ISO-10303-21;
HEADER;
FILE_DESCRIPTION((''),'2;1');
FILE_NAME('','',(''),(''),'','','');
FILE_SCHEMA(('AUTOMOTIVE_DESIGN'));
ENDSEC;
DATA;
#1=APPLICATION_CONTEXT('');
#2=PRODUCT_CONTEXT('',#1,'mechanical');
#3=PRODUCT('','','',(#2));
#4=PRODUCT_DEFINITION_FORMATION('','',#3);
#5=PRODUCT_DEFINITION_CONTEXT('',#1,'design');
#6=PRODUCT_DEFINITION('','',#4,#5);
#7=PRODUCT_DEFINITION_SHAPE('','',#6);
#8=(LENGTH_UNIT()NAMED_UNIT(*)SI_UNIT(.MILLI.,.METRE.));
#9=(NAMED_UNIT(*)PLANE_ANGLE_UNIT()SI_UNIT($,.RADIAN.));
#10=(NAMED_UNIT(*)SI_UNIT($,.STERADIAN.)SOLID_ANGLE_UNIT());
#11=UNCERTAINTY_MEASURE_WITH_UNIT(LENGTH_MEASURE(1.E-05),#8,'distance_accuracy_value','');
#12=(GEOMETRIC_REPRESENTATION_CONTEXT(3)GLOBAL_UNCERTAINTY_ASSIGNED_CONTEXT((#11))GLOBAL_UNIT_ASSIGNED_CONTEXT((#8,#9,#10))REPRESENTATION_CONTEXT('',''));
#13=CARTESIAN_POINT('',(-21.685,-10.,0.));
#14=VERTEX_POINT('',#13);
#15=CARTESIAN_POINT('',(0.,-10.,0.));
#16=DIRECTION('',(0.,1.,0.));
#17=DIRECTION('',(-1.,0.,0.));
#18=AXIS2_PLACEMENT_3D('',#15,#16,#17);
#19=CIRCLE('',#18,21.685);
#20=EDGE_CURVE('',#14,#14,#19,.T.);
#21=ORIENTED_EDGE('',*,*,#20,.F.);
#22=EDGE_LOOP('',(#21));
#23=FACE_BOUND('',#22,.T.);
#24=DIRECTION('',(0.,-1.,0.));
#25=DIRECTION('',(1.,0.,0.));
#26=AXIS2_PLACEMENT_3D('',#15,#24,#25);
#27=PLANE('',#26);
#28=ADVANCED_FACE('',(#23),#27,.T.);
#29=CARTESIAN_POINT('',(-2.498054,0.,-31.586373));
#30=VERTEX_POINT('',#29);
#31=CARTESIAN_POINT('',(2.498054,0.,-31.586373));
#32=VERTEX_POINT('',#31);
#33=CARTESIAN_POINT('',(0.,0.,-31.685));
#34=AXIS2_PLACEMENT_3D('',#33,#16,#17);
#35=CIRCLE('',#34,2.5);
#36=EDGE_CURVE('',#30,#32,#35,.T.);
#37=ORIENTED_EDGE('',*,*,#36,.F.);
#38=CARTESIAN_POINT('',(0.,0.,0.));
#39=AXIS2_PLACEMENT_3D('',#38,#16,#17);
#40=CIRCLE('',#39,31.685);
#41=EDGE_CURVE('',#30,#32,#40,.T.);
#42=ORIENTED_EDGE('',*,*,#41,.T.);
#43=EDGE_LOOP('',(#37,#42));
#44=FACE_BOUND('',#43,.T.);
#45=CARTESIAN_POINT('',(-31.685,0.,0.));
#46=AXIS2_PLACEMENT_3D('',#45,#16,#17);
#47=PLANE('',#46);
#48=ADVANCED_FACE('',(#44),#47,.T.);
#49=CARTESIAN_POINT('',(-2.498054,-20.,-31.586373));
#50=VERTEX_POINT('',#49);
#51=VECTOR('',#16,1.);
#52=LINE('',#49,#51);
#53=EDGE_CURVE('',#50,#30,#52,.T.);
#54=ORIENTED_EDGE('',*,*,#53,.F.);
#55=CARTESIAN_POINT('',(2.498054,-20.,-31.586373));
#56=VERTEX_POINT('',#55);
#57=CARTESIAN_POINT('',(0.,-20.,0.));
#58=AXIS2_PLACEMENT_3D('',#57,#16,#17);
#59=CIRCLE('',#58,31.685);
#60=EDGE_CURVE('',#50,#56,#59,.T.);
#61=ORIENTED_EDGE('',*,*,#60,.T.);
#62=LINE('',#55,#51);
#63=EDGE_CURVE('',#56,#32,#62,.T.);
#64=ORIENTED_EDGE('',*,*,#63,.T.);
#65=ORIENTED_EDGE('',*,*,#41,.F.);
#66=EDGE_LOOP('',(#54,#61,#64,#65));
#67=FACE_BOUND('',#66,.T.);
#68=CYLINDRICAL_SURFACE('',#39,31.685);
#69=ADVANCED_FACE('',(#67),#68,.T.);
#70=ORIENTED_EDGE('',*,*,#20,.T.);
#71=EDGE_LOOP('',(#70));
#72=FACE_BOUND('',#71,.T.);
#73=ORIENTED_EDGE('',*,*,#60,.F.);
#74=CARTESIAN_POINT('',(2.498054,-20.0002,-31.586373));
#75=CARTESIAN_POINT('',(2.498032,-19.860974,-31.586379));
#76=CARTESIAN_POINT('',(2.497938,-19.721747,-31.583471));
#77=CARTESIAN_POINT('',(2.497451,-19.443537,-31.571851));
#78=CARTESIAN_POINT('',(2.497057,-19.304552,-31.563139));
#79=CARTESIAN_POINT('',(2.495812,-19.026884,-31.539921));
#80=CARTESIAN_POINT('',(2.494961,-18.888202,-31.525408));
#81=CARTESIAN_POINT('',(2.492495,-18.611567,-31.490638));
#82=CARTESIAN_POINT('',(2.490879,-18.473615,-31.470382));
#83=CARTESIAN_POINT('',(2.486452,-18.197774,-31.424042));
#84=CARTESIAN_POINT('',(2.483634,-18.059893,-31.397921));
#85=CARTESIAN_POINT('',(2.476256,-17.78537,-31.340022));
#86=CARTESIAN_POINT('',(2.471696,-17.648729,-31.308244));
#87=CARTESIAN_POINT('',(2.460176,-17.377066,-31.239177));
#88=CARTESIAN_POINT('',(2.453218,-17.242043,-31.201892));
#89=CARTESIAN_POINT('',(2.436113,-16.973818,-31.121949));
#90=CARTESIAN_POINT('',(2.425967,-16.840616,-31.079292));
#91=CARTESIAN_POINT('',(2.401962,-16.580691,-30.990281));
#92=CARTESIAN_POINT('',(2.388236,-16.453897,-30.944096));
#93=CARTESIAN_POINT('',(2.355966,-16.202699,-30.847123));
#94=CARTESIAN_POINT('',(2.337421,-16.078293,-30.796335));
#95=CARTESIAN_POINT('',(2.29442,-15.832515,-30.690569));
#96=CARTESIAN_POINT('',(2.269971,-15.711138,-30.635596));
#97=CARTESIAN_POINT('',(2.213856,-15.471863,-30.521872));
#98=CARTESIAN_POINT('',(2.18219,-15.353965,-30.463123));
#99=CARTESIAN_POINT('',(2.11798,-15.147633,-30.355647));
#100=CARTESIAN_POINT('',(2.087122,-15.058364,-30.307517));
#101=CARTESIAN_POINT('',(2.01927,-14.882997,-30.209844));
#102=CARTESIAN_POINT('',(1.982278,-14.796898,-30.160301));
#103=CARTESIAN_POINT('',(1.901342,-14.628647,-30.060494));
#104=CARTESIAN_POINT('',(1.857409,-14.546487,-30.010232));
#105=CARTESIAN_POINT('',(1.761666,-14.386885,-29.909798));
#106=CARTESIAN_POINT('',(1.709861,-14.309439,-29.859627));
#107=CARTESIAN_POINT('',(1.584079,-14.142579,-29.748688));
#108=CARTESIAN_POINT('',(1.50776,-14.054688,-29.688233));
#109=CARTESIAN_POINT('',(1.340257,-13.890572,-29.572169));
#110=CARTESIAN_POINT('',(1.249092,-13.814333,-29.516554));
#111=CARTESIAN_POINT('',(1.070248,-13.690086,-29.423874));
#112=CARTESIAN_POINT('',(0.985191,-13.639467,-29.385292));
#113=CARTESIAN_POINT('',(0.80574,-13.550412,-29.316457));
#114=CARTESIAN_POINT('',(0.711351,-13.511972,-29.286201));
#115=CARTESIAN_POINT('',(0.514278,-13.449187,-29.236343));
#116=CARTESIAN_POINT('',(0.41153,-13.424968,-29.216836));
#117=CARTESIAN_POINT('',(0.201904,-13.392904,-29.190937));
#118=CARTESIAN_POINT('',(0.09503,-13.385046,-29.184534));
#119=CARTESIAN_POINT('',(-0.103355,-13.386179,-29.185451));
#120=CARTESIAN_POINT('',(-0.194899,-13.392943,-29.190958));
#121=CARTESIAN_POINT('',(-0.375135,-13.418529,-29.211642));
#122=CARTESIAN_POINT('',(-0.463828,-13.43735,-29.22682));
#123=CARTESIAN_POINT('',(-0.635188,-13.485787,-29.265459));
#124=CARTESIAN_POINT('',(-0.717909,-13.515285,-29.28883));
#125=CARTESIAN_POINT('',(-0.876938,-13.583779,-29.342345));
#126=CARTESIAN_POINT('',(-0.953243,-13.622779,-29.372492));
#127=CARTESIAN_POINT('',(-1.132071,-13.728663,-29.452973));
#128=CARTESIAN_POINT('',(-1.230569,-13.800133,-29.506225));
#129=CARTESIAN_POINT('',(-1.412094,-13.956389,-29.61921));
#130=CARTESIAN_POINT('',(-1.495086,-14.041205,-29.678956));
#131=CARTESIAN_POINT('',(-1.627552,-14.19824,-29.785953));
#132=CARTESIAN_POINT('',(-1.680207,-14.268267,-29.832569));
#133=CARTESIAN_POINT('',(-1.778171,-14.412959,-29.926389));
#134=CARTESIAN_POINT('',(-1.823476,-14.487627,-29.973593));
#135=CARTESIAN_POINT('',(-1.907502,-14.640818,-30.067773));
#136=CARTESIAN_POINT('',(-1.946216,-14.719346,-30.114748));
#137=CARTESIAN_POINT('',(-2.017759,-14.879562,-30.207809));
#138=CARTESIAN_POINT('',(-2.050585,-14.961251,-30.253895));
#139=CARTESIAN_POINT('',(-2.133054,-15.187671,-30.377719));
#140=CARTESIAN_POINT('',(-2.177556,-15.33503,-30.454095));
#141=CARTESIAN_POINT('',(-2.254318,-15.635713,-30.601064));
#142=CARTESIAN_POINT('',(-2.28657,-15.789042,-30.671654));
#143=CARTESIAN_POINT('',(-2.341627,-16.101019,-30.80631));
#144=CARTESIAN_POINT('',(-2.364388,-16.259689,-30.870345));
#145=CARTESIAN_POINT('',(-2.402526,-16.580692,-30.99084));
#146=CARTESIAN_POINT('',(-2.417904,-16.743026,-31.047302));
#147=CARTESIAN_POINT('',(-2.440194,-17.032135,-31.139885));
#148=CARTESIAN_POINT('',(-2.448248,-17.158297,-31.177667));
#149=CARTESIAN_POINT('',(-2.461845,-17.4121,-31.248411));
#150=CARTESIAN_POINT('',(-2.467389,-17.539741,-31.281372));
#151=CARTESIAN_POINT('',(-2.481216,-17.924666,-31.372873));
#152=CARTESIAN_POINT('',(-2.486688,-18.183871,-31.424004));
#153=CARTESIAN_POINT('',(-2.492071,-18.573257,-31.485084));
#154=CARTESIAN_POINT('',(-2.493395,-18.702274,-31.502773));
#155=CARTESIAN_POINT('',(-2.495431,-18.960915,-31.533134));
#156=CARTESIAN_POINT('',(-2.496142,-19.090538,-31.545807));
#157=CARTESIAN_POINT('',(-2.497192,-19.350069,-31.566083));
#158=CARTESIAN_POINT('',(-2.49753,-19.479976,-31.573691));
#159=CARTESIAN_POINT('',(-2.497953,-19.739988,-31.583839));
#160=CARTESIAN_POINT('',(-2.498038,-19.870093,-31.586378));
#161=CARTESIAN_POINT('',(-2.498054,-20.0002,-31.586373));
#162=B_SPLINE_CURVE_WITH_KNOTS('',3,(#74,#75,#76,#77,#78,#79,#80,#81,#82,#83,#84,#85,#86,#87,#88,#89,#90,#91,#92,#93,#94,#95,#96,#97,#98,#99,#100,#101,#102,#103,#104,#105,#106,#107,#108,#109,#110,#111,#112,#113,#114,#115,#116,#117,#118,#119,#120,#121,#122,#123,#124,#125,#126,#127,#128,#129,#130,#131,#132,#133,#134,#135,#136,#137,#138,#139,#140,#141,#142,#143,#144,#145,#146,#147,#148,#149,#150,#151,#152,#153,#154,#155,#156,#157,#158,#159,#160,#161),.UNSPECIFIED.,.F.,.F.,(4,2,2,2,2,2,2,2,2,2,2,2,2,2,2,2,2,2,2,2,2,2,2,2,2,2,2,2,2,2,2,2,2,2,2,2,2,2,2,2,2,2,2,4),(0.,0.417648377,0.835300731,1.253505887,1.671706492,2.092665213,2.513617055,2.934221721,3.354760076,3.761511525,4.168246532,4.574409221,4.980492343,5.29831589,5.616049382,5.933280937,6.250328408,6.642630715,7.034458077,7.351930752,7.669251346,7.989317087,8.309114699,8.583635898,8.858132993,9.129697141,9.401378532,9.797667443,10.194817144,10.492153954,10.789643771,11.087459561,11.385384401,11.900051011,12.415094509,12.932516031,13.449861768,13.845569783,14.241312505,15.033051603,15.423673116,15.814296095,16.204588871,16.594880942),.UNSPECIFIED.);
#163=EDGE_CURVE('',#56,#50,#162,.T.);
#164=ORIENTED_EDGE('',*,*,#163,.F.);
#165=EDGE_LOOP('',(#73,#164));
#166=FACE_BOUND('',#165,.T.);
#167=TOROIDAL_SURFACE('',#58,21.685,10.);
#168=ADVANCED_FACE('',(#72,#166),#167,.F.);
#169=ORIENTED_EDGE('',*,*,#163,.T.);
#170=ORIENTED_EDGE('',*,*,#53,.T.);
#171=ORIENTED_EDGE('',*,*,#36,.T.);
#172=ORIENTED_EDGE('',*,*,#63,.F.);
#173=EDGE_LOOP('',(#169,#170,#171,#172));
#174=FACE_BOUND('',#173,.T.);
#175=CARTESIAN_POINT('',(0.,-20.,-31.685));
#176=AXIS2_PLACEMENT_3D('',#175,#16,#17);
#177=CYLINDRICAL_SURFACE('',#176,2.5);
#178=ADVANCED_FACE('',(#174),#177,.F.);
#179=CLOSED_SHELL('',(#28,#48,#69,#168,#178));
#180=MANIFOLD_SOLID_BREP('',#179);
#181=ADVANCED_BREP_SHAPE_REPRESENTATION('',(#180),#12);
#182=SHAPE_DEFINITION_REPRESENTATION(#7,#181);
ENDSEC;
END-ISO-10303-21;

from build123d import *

# Parameters (mm, degrees)
SECOND_STAGE_IGNITION_WIRE_PASSTHROUGH_DEPTH      = 50.070138068
SECOND_STAGE_IGNITION_WIRE_PASSTHROUGH_DEPTH_BACK = 50.070138068


with BuildPart() as part:
    # Sketch1 → Main body (revolve)
    with BuildSketch(Plane.XY):
        with BuildLine():
            Line((0, 0), (0, -10))
            Line((0, -10), (-21.685, -10))
            ThreePointArc((-21.685, -10), (-28.756067812, -12.928932188), (-31.685, -20))
            Line((-31.685, -20), (-31.685, 0))
            Line((-31.685, 0), (0, 0))
        make_face()
    revolve(axis=Axis((0, 0, 0), (0, -1, 0)))

    # Sketch2 → Second stage ignition wire passthrough (cut, two sides: drawn at the far end of the back side and taken through both)
    with BuildSketch(Plane(origin=(0, 0, 0), x_dir=(1, 0, 0), z_dir=(0, 1, 0)).offset(-SECOND_STAGE_IGNITION_WIRE_PASSTHROUGH_DEPTH_BACK)):
        with BuildLine():
            ThreePointArc((-2.498053781, 31.586372889), (0, 29.185), (2.498053781, 31.586372889))
            ThreePointArc((2.498053781, 31.586372889), (0, 31.685), (-2.498053781, 31.586372889))
        make_face()
    extrude(amount=SECOND_STAGE_IGNITION_WIRE_PASSTHROUGH_DEPTH + SECOND_STAGE_IGNITION_WIRE_PASSTHROUGH_DEPTH_BACK, mode=Mode.SUBTRACT)


solid = part.part
